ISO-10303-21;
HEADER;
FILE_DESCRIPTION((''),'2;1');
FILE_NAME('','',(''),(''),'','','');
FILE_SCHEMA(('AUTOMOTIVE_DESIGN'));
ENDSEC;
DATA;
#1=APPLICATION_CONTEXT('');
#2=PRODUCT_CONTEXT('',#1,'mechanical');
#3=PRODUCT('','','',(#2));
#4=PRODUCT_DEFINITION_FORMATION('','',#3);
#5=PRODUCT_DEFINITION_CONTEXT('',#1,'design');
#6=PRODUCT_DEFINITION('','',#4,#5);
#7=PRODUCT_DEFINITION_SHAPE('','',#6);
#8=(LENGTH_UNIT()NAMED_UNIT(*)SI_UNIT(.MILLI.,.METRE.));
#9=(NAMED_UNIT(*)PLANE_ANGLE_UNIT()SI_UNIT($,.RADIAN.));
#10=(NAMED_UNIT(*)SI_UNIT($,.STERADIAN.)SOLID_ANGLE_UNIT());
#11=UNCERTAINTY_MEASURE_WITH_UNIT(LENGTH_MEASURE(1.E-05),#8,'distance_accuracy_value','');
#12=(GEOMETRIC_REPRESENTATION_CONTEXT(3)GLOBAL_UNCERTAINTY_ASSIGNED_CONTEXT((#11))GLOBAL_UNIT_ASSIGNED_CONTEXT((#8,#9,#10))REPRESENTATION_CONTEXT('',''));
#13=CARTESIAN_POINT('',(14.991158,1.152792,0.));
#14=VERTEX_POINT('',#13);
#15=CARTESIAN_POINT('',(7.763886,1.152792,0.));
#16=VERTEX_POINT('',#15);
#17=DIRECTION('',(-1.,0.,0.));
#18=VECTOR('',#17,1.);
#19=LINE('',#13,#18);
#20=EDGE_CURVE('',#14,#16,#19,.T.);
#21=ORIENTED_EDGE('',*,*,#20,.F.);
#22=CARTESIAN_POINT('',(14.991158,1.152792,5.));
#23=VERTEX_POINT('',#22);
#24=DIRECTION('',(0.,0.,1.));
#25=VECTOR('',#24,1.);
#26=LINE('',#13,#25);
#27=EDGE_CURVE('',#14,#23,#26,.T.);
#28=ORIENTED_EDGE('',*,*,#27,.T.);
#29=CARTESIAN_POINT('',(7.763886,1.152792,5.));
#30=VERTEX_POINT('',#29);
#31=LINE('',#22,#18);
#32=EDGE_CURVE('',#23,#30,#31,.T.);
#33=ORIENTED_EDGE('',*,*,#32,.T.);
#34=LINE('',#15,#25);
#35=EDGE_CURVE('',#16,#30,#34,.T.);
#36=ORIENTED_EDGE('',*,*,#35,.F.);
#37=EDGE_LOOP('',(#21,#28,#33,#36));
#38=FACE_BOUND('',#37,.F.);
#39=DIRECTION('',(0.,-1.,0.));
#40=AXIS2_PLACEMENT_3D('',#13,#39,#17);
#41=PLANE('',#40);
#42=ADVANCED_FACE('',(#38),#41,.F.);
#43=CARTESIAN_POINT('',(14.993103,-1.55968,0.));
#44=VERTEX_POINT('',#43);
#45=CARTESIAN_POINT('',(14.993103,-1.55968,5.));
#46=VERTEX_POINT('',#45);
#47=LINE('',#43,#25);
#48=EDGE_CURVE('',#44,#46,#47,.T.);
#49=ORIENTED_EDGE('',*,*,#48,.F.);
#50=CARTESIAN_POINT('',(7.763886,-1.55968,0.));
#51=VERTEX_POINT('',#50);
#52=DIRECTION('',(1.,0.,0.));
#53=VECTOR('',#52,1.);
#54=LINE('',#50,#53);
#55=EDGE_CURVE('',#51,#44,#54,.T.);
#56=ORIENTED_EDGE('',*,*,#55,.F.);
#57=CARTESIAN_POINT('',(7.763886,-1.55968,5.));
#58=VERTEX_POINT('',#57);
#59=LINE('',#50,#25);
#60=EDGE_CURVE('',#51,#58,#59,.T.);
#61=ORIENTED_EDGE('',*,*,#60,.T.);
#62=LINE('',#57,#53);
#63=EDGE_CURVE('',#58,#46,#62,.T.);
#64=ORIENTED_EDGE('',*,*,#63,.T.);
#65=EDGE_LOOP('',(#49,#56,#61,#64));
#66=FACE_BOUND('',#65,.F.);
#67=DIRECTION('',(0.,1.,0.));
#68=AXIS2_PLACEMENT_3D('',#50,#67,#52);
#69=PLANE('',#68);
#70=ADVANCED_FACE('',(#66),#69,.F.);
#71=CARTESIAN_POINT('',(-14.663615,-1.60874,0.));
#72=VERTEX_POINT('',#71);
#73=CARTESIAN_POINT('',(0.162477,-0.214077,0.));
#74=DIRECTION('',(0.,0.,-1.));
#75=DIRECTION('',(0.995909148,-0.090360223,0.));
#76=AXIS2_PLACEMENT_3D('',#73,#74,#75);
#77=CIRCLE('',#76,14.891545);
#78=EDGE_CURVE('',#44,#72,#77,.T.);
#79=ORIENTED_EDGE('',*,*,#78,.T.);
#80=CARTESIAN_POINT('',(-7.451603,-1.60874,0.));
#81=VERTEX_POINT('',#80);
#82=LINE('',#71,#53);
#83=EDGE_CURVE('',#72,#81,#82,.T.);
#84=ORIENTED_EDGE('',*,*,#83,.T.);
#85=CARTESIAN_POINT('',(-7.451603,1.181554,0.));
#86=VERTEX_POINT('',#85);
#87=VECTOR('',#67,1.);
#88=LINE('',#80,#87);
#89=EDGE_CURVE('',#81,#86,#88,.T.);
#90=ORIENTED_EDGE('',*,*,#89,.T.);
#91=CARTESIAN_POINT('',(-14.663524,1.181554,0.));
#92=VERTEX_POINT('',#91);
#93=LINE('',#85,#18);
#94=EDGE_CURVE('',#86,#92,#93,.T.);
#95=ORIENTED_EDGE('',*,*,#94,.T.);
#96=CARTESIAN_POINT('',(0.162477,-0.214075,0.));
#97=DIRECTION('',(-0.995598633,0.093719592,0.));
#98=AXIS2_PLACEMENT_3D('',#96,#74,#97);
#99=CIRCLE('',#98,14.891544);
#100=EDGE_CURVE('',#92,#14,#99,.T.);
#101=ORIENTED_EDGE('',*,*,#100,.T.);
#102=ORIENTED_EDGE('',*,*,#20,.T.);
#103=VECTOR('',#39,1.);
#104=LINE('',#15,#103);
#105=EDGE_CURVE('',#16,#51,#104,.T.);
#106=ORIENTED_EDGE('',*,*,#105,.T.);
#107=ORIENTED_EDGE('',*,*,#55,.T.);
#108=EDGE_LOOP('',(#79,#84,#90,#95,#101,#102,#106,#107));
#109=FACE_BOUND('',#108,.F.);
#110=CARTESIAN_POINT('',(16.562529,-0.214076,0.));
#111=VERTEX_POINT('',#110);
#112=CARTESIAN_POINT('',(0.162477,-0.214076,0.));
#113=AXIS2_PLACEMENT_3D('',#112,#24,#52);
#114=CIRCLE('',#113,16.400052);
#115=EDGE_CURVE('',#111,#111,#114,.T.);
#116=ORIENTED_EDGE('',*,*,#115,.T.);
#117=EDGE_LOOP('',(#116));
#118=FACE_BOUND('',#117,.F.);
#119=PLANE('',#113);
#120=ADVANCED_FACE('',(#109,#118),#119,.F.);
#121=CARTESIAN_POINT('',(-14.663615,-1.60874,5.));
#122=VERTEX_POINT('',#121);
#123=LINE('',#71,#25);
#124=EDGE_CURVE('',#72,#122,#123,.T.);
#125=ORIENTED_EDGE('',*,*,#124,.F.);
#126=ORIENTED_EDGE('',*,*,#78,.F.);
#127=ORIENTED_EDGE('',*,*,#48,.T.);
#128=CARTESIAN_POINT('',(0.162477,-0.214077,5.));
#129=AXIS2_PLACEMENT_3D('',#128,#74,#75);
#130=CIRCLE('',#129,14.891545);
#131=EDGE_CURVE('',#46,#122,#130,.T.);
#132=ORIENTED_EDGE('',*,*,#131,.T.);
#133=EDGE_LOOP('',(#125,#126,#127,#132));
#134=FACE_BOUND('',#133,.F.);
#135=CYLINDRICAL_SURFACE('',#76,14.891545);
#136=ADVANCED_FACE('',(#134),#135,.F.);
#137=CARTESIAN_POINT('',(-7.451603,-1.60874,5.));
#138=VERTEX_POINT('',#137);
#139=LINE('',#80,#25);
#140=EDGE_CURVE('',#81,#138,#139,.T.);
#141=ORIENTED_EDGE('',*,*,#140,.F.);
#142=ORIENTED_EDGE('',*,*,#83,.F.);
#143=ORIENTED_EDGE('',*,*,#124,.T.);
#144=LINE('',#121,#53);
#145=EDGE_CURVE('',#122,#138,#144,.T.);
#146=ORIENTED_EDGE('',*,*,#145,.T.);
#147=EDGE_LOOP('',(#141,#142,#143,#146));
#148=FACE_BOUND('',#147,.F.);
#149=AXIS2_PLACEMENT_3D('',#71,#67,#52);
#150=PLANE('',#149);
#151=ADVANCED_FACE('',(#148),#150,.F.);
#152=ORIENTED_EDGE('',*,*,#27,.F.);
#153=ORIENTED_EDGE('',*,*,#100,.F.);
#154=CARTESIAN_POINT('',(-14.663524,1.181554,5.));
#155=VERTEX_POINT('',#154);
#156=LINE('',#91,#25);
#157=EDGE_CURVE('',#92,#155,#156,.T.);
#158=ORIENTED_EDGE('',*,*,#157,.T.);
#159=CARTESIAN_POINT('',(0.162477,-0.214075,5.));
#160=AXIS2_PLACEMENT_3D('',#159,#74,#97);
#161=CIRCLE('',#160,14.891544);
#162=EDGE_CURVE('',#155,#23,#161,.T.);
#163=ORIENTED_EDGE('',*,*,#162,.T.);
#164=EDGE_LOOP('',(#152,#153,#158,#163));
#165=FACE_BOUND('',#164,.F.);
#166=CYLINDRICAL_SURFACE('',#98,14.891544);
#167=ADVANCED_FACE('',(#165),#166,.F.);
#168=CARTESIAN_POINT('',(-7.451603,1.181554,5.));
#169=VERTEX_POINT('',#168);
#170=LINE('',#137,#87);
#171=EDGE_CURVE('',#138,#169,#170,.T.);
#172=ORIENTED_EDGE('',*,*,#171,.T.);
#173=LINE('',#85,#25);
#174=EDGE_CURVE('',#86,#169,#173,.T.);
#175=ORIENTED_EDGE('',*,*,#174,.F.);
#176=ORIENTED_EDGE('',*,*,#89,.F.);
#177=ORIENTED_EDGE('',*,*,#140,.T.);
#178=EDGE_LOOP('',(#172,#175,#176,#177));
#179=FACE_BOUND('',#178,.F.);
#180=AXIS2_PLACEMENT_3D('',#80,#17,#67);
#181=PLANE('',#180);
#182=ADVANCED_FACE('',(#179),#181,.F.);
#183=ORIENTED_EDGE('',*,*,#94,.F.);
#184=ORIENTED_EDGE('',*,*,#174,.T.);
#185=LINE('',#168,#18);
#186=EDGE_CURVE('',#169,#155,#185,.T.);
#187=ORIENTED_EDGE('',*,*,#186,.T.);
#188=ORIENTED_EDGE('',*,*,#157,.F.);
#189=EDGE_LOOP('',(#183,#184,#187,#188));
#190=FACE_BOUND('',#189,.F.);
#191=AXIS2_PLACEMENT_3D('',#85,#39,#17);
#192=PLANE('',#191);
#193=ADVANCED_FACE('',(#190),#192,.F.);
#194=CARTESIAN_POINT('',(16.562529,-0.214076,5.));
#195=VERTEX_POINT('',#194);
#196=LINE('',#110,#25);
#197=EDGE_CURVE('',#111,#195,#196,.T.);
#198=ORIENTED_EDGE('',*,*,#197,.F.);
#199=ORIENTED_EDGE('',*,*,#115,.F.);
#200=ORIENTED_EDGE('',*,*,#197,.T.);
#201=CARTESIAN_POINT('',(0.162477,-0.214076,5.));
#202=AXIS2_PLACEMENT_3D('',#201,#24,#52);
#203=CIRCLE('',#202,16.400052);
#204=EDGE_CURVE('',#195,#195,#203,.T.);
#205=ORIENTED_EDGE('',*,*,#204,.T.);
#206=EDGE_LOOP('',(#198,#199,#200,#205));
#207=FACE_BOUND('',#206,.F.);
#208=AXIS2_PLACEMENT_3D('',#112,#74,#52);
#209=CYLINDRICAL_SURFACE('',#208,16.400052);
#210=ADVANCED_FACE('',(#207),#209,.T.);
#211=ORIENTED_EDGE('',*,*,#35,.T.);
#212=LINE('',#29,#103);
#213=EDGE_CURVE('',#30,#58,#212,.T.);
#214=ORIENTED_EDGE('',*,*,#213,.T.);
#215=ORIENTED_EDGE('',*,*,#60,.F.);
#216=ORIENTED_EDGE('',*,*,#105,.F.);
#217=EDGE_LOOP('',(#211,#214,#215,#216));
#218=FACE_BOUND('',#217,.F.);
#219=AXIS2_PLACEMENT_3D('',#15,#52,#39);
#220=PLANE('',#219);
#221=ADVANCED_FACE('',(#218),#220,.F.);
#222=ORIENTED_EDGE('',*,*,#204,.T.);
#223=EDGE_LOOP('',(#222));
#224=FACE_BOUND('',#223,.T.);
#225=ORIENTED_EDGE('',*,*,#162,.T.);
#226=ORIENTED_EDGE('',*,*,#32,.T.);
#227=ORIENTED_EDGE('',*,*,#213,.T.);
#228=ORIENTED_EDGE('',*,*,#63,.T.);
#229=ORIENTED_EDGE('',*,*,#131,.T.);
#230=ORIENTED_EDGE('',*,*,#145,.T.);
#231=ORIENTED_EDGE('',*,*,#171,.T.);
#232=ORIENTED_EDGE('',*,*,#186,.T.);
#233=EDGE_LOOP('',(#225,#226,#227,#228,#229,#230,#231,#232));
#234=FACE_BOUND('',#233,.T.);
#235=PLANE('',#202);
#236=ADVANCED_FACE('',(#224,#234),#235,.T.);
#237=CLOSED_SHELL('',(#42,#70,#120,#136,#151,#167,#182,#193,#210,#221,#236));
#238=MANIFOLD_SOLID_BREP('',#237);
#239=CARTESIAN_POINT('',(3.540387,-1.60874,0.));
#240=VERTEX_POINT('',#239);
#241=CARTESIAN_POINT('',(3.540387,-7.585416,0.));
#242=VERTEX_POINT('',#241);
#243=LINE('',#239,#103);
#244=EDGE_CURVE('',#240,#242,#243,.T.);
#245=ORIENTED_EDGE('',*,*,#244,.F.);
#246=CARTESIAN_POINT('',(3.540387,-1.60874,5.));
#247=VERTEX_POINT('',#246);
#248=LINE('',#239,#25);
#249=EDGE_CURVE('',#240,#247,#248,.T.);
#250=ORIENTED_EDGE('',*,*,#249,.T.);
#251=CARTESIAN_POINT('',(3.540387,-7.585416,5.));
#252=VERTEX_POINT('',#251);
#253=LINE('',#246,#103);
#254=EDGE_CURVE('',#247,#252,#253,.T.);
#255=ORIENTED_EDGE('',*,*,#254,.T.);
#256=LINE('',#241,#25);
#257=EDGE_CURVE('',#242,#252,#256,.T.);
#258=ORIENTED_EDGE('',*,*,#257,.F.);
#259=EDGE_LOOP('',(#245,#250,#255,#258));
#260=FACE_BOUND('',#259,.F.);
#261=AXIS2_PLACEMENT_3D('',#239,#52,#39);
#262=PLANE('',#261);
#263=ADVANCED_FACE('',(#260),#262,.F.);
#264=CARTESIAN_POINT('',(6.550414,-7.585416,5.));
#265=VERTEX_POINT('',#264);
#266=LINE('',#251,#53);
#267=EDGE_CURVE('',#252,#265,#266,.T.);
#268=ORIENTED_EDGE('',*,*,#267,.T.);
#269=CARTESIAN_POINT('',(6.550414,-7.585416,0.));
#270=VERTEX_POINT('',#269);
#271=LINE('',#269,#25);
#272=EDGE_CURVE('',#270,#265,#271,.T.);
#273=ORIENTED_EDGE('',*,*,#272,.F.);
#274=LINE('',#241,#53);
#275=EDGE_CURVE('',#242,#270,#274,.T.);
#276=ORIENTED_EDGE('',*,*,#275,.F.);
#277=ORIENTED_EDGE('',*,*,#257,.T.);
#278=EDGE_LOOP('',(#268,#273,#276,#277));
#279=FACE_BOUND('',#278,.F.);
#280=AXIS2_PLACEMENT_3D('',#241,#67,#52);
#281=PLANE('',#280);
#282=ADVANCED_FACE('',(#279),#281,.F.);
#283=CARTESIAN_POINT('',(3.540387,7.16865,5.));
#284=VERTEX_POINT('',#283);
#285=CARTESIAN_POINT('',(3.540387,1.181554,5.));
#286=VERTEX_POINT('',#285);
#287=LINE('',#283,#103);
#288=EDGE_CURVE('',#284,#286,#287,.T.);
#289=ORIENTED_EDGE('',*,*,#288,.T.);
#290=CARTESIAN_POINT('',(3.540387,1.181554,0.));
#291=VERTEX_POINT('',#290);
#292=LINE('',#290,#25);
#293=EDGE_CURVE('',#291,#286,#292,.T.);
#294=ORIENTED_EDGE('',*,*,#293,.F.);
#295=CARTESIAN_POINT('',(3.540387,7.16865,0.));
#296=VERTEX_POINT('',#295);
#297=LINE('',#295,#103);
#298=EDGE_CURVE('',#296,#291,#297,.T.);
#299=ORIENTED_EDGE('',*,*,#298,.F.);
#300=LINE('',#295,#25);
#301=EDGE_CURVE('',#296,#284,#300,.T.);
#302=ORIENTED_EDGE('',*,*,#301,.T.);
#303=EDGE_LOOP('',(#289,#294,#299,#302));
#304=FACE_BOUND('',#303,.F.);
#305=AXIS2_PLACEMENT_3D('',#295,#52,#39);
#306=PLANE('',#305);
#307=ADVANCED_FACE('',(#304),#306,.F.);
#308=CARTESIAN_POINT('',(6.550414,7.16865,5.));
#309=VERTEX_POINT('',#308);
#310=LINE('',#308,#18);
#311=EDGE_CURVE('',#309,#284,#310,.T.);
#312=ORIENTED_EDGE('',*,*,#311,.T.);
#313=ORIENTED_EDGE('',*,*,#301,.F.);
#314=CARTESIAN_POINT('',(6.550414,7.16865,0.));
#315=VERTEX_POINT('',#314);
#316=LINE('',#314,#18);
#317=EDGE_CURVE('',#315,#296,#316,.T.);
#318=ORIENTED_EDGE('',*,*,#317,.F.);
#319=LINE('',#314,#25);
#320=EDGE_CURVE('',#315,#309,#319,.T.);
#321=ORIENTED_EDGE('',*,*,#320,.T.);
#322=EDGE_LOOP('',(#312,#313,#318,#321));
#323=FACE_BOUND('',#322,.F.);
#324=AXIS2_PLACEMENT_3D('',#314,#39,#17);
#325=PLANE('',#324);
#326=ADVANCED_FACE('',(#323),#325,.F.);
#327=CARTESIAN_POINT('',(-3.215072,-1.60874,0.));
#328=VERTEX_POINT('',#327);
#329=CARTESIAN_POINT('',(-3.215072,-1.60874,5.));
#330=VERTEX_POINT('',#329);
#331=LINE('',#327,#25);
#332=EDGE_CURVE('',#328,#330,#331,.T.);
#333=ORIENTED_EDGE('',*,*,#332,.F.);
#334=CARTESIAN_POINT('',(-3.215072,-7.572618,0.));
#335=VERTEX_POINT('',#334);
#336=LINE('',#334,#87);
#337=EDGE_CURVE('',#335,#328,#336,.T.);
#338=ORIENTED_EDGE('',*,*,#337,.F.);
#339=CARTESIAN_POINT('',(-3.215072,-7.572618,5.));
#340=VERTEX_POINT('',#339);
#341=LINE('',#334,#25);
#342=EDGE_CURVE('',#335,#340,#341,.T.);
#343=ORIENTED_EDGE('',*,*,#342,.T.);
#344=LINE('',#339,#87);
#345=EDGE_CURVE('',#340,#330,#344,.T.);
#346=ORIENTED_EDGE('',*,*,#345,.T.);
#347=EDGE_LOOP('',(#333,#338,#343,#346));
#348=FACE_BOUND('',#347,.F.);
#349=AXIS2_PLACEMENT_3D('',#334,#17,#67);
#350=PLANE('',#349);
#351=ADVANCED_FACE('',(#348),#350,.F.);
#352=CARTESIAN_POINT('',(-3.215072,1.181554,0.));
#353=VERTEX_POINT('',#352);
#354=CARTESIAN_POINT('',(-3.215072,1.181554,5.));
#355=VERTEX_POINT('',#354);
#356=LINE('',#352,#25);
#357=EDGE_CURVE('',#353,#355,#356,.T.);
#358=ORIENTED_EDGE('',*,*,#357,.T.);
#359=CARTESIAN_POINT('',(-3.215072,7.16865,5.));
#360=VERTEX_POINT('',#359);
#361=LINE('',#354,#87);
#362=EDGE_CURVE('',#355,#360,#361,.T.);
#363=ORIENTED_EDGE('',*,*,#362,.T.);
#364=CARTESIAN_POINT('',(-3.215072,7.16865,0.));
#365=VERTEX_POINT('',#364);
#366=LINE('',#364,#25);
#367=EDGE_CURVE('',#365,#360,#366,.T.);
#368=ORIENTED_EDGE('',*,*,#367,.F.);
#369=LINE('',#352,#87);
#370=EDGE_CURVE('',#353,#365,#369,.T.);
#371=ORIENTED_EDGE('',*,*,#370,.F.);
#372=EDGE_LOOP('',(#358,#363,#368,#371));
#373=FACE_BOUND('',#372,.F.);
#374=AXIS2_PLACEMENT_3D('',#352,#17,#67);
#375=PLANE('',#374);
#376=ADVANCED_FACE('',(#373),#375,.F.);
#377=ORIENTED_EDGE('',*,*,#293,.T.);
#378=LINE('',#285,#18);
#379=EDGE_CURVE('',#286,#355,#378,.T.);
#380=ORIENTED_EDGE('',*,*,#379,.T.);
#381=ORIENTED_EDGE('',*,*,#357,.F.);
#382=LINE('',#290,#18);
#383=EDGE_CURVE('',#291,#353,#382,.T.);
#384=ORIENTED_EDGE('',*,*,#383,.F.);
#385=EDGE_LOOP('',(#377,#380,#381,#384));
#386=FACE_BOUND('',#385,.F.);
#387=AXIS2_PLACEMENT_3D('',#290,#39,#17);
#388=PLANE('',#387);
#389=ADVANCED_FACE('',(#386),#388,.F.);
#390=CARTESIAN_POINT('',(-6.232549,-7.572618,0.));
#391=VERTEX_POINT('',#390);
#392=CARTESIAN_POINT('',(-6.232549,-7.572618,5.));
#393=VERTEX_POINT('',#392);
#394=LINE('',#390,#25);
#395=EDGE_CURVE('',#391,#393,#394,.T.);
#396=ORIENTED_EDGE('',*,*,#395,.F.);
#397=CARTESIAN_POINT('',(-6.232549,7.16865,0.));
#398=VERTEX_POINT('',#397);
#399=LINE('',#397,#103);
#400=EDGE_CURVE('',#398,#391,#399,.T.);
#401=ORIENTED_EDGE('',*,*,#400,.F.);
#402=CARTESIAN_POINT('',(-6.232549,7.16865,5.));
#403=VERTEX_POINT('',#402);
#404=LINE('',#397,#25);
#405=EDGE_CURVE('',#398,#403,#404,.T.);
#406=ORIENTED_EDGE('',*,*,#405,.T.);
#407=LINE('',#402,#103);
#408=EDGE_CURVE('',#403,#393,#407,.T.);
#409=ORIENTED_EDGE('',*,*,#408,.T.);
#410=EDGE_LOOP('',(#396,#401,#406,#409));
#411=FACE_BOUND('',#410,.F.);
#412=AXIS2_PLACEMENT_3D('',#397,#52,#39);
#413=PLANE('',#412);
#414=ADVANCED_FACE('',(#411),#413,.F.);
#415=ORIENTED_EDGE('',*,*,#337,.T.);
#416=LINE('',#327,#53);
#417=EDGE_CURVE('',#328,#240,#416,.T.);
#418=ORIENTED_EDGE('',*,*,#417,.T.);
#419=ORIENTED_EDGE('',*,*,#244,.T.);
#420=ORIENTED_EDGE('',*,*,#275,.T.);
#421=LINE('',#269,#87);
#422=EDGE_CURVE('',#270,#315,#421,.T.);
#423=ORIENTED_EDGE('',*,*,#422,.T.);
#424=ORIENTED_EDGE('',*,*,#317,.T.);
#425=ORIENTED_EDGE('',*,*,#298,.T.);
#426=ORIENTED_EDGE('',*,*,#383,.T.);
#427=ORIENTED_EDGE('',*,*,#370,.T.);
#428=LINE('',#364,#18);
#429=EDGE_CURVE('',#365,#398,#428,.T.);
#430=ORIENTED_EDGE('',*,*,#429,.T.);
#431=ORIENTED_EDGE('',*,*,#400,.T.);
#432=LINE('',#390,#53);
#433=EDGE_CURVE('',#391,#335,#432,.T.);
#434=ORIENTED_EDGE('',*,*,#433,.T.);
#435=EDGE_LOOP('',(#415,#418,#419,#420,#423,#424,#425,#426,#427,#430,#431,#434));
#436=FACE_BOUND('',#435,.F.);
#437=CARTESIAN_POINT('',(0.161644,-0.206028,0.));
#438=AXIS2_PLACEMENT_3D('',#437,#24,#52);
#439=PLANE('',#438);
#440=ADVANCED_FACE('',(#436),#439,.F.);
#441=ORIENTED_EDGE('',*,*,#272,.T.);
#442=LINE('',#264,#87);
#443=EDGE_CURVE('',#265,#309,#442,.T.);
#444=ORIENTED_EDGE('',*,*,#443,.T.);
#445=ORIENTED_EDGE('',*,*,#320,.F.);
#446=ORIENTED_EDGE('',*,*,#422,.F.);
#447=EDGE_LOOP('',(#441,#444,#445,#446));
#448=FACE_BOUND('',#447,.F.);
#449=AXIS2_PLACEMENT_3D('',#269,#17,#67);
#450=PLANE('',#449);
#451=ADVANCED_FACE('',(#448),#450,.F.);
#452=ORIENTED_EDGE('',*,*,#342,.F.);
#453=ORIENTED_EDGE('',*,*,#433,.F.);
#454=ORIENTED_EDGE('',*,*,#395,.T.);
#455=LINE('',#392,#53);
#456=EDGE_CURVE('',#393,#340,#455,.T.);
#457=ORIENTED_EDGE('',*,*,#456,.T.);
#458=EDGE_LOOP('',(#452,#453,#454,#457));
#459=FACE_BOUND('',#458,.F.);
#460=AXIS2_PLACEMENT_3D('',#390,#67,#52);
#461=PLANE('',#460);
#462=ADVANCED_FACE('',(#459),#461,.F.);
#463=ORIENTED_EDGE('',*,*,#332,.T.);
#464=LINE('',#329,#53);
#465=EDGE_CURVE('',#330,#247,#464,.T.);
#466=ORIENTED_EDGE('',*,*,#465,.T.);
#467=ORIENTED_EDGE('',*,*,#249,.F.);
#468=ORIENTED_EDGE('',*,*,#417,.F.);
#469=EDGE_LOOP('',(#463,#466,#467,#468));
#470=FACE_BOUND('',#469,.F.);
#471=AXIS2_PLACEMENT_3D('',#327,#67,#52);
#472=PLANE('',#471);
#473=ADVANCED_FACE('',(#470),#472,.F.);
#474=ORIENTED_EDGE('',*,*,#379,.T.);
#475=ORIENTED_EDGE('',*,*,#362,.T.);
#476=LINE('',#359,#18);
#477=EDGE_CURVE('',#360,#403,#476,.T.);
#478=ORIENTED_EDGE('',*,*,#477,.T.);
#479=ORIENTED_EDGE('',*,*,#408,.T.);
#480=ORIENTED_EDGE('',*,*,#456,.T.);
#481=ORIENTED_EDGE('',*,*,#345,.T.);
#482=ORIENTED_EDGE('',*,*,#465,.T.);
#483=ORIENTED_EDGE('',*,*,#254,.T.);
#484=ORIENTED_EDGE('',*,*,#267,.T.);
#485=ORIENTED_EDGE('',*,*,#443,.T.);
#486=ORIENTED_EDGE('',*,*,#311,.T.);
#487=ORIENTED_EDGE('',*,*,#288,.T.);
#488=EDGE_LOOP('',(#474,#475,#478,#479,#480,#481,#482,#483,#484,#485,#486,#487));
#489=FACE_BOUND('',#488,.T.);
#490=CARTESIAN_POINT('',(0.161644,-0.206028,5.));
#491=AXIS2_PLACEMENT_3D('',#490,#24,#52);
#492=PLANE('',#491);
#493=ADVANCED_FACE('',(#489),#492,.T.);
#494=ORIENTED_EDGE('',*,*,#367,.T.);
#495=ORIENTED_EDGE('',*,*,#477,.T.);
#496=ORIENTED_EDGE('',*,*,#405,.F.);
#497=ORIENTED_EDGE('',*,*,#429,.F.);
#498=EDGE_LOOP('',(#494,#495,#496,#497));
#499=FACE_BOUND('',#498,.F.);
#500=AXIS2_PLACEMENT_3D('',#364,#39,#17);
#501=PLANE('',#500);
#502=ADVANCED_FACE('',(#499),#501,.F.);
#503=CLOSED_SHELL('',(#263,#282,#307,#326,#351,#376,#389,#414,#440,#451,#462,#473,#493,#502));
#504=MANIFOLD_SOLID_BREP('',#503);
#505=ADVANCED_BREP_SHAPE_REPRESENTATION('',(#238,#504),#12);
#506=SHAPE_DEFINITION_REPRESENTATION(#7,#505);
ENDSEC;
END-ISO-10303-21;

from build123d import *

# Parameters (mm, degrees)
F0_R     = 16.400052
F1_DEPTH = 5


with BuildPart() as f1:
    # F0 (on Top) → F1 (new body)
    with BuildSketch(Plane.XY):
        with Locations((0.162477, -0.214076)):
            Circle(F0_R)
        with BuildLine():
            ThreePointArc((14.991158, 1.152792), (15.038298, 0.47008), (15.054022, -0.214076))
            ThreePointArc((15.054022, -0.214076), (15.038785, -0.887567), (14.993103, -1.55968))
            ThreePointArc((14.993103, -1.55968), (0.187112, -15.105601), (-14.663615, -1.60874))
            ThreePointArc((-14.663615, -1.60874), (-14.729068, -0.213591), (-14.663524, 1.181554))
            ThreePointArc((-14.663524, 1.181554), (0.176921, 14.677462), (14.991158, 1.152792))
        make_face(mode=Mode.SUBTRACT)
        Polygon((-3.215072, -7.572618), (-3.215072, -1.60874), (3.540387, -1.60874), (3.540387, -7.585416), (6.550414, -7.585416), (6.550414, 7.16865), (3.540387, 7.16865), (3.540387, 1.181554), (-3.215072, 1.181554), (-3.215072, 7.16865), (-6.232549, 7.16865), (-6.232549, -7.572618), align=None)
        with BuildLine():
            ThreePointArc((14.993103, -1.55968), (15.038785, -0.887567), (15.054022, -0.214076))
            ThreePointArc((15.054022, -0.214076), (15.038298, 0.47008), (14.991158, 1.152792))
            Line((14.991158, 1.152792), (7.763886, 1.152792))
            Line((7.763886, 1.152792), (7.763886, -1.55968))
            Line((7.763886, -1.55968), (14.993103, -1.55968))
        make_face()
        with BuildLine():
            Line((-7.451603, 1.181554), (-14.663524, 1.181554))
            ThreePointArc((-14.663524, 1.181554), (-14.729068, -0.213591), (-14.663615, -1.60874))
            Line((-14.663615, -1.60874), (-7.451603, -1.60874))
            Line((-7.451603, -1.60874), (-7.451603, 1.181554))
        make_face()
    extrude(amount=F1_DEPTH)


solid = f1.part
